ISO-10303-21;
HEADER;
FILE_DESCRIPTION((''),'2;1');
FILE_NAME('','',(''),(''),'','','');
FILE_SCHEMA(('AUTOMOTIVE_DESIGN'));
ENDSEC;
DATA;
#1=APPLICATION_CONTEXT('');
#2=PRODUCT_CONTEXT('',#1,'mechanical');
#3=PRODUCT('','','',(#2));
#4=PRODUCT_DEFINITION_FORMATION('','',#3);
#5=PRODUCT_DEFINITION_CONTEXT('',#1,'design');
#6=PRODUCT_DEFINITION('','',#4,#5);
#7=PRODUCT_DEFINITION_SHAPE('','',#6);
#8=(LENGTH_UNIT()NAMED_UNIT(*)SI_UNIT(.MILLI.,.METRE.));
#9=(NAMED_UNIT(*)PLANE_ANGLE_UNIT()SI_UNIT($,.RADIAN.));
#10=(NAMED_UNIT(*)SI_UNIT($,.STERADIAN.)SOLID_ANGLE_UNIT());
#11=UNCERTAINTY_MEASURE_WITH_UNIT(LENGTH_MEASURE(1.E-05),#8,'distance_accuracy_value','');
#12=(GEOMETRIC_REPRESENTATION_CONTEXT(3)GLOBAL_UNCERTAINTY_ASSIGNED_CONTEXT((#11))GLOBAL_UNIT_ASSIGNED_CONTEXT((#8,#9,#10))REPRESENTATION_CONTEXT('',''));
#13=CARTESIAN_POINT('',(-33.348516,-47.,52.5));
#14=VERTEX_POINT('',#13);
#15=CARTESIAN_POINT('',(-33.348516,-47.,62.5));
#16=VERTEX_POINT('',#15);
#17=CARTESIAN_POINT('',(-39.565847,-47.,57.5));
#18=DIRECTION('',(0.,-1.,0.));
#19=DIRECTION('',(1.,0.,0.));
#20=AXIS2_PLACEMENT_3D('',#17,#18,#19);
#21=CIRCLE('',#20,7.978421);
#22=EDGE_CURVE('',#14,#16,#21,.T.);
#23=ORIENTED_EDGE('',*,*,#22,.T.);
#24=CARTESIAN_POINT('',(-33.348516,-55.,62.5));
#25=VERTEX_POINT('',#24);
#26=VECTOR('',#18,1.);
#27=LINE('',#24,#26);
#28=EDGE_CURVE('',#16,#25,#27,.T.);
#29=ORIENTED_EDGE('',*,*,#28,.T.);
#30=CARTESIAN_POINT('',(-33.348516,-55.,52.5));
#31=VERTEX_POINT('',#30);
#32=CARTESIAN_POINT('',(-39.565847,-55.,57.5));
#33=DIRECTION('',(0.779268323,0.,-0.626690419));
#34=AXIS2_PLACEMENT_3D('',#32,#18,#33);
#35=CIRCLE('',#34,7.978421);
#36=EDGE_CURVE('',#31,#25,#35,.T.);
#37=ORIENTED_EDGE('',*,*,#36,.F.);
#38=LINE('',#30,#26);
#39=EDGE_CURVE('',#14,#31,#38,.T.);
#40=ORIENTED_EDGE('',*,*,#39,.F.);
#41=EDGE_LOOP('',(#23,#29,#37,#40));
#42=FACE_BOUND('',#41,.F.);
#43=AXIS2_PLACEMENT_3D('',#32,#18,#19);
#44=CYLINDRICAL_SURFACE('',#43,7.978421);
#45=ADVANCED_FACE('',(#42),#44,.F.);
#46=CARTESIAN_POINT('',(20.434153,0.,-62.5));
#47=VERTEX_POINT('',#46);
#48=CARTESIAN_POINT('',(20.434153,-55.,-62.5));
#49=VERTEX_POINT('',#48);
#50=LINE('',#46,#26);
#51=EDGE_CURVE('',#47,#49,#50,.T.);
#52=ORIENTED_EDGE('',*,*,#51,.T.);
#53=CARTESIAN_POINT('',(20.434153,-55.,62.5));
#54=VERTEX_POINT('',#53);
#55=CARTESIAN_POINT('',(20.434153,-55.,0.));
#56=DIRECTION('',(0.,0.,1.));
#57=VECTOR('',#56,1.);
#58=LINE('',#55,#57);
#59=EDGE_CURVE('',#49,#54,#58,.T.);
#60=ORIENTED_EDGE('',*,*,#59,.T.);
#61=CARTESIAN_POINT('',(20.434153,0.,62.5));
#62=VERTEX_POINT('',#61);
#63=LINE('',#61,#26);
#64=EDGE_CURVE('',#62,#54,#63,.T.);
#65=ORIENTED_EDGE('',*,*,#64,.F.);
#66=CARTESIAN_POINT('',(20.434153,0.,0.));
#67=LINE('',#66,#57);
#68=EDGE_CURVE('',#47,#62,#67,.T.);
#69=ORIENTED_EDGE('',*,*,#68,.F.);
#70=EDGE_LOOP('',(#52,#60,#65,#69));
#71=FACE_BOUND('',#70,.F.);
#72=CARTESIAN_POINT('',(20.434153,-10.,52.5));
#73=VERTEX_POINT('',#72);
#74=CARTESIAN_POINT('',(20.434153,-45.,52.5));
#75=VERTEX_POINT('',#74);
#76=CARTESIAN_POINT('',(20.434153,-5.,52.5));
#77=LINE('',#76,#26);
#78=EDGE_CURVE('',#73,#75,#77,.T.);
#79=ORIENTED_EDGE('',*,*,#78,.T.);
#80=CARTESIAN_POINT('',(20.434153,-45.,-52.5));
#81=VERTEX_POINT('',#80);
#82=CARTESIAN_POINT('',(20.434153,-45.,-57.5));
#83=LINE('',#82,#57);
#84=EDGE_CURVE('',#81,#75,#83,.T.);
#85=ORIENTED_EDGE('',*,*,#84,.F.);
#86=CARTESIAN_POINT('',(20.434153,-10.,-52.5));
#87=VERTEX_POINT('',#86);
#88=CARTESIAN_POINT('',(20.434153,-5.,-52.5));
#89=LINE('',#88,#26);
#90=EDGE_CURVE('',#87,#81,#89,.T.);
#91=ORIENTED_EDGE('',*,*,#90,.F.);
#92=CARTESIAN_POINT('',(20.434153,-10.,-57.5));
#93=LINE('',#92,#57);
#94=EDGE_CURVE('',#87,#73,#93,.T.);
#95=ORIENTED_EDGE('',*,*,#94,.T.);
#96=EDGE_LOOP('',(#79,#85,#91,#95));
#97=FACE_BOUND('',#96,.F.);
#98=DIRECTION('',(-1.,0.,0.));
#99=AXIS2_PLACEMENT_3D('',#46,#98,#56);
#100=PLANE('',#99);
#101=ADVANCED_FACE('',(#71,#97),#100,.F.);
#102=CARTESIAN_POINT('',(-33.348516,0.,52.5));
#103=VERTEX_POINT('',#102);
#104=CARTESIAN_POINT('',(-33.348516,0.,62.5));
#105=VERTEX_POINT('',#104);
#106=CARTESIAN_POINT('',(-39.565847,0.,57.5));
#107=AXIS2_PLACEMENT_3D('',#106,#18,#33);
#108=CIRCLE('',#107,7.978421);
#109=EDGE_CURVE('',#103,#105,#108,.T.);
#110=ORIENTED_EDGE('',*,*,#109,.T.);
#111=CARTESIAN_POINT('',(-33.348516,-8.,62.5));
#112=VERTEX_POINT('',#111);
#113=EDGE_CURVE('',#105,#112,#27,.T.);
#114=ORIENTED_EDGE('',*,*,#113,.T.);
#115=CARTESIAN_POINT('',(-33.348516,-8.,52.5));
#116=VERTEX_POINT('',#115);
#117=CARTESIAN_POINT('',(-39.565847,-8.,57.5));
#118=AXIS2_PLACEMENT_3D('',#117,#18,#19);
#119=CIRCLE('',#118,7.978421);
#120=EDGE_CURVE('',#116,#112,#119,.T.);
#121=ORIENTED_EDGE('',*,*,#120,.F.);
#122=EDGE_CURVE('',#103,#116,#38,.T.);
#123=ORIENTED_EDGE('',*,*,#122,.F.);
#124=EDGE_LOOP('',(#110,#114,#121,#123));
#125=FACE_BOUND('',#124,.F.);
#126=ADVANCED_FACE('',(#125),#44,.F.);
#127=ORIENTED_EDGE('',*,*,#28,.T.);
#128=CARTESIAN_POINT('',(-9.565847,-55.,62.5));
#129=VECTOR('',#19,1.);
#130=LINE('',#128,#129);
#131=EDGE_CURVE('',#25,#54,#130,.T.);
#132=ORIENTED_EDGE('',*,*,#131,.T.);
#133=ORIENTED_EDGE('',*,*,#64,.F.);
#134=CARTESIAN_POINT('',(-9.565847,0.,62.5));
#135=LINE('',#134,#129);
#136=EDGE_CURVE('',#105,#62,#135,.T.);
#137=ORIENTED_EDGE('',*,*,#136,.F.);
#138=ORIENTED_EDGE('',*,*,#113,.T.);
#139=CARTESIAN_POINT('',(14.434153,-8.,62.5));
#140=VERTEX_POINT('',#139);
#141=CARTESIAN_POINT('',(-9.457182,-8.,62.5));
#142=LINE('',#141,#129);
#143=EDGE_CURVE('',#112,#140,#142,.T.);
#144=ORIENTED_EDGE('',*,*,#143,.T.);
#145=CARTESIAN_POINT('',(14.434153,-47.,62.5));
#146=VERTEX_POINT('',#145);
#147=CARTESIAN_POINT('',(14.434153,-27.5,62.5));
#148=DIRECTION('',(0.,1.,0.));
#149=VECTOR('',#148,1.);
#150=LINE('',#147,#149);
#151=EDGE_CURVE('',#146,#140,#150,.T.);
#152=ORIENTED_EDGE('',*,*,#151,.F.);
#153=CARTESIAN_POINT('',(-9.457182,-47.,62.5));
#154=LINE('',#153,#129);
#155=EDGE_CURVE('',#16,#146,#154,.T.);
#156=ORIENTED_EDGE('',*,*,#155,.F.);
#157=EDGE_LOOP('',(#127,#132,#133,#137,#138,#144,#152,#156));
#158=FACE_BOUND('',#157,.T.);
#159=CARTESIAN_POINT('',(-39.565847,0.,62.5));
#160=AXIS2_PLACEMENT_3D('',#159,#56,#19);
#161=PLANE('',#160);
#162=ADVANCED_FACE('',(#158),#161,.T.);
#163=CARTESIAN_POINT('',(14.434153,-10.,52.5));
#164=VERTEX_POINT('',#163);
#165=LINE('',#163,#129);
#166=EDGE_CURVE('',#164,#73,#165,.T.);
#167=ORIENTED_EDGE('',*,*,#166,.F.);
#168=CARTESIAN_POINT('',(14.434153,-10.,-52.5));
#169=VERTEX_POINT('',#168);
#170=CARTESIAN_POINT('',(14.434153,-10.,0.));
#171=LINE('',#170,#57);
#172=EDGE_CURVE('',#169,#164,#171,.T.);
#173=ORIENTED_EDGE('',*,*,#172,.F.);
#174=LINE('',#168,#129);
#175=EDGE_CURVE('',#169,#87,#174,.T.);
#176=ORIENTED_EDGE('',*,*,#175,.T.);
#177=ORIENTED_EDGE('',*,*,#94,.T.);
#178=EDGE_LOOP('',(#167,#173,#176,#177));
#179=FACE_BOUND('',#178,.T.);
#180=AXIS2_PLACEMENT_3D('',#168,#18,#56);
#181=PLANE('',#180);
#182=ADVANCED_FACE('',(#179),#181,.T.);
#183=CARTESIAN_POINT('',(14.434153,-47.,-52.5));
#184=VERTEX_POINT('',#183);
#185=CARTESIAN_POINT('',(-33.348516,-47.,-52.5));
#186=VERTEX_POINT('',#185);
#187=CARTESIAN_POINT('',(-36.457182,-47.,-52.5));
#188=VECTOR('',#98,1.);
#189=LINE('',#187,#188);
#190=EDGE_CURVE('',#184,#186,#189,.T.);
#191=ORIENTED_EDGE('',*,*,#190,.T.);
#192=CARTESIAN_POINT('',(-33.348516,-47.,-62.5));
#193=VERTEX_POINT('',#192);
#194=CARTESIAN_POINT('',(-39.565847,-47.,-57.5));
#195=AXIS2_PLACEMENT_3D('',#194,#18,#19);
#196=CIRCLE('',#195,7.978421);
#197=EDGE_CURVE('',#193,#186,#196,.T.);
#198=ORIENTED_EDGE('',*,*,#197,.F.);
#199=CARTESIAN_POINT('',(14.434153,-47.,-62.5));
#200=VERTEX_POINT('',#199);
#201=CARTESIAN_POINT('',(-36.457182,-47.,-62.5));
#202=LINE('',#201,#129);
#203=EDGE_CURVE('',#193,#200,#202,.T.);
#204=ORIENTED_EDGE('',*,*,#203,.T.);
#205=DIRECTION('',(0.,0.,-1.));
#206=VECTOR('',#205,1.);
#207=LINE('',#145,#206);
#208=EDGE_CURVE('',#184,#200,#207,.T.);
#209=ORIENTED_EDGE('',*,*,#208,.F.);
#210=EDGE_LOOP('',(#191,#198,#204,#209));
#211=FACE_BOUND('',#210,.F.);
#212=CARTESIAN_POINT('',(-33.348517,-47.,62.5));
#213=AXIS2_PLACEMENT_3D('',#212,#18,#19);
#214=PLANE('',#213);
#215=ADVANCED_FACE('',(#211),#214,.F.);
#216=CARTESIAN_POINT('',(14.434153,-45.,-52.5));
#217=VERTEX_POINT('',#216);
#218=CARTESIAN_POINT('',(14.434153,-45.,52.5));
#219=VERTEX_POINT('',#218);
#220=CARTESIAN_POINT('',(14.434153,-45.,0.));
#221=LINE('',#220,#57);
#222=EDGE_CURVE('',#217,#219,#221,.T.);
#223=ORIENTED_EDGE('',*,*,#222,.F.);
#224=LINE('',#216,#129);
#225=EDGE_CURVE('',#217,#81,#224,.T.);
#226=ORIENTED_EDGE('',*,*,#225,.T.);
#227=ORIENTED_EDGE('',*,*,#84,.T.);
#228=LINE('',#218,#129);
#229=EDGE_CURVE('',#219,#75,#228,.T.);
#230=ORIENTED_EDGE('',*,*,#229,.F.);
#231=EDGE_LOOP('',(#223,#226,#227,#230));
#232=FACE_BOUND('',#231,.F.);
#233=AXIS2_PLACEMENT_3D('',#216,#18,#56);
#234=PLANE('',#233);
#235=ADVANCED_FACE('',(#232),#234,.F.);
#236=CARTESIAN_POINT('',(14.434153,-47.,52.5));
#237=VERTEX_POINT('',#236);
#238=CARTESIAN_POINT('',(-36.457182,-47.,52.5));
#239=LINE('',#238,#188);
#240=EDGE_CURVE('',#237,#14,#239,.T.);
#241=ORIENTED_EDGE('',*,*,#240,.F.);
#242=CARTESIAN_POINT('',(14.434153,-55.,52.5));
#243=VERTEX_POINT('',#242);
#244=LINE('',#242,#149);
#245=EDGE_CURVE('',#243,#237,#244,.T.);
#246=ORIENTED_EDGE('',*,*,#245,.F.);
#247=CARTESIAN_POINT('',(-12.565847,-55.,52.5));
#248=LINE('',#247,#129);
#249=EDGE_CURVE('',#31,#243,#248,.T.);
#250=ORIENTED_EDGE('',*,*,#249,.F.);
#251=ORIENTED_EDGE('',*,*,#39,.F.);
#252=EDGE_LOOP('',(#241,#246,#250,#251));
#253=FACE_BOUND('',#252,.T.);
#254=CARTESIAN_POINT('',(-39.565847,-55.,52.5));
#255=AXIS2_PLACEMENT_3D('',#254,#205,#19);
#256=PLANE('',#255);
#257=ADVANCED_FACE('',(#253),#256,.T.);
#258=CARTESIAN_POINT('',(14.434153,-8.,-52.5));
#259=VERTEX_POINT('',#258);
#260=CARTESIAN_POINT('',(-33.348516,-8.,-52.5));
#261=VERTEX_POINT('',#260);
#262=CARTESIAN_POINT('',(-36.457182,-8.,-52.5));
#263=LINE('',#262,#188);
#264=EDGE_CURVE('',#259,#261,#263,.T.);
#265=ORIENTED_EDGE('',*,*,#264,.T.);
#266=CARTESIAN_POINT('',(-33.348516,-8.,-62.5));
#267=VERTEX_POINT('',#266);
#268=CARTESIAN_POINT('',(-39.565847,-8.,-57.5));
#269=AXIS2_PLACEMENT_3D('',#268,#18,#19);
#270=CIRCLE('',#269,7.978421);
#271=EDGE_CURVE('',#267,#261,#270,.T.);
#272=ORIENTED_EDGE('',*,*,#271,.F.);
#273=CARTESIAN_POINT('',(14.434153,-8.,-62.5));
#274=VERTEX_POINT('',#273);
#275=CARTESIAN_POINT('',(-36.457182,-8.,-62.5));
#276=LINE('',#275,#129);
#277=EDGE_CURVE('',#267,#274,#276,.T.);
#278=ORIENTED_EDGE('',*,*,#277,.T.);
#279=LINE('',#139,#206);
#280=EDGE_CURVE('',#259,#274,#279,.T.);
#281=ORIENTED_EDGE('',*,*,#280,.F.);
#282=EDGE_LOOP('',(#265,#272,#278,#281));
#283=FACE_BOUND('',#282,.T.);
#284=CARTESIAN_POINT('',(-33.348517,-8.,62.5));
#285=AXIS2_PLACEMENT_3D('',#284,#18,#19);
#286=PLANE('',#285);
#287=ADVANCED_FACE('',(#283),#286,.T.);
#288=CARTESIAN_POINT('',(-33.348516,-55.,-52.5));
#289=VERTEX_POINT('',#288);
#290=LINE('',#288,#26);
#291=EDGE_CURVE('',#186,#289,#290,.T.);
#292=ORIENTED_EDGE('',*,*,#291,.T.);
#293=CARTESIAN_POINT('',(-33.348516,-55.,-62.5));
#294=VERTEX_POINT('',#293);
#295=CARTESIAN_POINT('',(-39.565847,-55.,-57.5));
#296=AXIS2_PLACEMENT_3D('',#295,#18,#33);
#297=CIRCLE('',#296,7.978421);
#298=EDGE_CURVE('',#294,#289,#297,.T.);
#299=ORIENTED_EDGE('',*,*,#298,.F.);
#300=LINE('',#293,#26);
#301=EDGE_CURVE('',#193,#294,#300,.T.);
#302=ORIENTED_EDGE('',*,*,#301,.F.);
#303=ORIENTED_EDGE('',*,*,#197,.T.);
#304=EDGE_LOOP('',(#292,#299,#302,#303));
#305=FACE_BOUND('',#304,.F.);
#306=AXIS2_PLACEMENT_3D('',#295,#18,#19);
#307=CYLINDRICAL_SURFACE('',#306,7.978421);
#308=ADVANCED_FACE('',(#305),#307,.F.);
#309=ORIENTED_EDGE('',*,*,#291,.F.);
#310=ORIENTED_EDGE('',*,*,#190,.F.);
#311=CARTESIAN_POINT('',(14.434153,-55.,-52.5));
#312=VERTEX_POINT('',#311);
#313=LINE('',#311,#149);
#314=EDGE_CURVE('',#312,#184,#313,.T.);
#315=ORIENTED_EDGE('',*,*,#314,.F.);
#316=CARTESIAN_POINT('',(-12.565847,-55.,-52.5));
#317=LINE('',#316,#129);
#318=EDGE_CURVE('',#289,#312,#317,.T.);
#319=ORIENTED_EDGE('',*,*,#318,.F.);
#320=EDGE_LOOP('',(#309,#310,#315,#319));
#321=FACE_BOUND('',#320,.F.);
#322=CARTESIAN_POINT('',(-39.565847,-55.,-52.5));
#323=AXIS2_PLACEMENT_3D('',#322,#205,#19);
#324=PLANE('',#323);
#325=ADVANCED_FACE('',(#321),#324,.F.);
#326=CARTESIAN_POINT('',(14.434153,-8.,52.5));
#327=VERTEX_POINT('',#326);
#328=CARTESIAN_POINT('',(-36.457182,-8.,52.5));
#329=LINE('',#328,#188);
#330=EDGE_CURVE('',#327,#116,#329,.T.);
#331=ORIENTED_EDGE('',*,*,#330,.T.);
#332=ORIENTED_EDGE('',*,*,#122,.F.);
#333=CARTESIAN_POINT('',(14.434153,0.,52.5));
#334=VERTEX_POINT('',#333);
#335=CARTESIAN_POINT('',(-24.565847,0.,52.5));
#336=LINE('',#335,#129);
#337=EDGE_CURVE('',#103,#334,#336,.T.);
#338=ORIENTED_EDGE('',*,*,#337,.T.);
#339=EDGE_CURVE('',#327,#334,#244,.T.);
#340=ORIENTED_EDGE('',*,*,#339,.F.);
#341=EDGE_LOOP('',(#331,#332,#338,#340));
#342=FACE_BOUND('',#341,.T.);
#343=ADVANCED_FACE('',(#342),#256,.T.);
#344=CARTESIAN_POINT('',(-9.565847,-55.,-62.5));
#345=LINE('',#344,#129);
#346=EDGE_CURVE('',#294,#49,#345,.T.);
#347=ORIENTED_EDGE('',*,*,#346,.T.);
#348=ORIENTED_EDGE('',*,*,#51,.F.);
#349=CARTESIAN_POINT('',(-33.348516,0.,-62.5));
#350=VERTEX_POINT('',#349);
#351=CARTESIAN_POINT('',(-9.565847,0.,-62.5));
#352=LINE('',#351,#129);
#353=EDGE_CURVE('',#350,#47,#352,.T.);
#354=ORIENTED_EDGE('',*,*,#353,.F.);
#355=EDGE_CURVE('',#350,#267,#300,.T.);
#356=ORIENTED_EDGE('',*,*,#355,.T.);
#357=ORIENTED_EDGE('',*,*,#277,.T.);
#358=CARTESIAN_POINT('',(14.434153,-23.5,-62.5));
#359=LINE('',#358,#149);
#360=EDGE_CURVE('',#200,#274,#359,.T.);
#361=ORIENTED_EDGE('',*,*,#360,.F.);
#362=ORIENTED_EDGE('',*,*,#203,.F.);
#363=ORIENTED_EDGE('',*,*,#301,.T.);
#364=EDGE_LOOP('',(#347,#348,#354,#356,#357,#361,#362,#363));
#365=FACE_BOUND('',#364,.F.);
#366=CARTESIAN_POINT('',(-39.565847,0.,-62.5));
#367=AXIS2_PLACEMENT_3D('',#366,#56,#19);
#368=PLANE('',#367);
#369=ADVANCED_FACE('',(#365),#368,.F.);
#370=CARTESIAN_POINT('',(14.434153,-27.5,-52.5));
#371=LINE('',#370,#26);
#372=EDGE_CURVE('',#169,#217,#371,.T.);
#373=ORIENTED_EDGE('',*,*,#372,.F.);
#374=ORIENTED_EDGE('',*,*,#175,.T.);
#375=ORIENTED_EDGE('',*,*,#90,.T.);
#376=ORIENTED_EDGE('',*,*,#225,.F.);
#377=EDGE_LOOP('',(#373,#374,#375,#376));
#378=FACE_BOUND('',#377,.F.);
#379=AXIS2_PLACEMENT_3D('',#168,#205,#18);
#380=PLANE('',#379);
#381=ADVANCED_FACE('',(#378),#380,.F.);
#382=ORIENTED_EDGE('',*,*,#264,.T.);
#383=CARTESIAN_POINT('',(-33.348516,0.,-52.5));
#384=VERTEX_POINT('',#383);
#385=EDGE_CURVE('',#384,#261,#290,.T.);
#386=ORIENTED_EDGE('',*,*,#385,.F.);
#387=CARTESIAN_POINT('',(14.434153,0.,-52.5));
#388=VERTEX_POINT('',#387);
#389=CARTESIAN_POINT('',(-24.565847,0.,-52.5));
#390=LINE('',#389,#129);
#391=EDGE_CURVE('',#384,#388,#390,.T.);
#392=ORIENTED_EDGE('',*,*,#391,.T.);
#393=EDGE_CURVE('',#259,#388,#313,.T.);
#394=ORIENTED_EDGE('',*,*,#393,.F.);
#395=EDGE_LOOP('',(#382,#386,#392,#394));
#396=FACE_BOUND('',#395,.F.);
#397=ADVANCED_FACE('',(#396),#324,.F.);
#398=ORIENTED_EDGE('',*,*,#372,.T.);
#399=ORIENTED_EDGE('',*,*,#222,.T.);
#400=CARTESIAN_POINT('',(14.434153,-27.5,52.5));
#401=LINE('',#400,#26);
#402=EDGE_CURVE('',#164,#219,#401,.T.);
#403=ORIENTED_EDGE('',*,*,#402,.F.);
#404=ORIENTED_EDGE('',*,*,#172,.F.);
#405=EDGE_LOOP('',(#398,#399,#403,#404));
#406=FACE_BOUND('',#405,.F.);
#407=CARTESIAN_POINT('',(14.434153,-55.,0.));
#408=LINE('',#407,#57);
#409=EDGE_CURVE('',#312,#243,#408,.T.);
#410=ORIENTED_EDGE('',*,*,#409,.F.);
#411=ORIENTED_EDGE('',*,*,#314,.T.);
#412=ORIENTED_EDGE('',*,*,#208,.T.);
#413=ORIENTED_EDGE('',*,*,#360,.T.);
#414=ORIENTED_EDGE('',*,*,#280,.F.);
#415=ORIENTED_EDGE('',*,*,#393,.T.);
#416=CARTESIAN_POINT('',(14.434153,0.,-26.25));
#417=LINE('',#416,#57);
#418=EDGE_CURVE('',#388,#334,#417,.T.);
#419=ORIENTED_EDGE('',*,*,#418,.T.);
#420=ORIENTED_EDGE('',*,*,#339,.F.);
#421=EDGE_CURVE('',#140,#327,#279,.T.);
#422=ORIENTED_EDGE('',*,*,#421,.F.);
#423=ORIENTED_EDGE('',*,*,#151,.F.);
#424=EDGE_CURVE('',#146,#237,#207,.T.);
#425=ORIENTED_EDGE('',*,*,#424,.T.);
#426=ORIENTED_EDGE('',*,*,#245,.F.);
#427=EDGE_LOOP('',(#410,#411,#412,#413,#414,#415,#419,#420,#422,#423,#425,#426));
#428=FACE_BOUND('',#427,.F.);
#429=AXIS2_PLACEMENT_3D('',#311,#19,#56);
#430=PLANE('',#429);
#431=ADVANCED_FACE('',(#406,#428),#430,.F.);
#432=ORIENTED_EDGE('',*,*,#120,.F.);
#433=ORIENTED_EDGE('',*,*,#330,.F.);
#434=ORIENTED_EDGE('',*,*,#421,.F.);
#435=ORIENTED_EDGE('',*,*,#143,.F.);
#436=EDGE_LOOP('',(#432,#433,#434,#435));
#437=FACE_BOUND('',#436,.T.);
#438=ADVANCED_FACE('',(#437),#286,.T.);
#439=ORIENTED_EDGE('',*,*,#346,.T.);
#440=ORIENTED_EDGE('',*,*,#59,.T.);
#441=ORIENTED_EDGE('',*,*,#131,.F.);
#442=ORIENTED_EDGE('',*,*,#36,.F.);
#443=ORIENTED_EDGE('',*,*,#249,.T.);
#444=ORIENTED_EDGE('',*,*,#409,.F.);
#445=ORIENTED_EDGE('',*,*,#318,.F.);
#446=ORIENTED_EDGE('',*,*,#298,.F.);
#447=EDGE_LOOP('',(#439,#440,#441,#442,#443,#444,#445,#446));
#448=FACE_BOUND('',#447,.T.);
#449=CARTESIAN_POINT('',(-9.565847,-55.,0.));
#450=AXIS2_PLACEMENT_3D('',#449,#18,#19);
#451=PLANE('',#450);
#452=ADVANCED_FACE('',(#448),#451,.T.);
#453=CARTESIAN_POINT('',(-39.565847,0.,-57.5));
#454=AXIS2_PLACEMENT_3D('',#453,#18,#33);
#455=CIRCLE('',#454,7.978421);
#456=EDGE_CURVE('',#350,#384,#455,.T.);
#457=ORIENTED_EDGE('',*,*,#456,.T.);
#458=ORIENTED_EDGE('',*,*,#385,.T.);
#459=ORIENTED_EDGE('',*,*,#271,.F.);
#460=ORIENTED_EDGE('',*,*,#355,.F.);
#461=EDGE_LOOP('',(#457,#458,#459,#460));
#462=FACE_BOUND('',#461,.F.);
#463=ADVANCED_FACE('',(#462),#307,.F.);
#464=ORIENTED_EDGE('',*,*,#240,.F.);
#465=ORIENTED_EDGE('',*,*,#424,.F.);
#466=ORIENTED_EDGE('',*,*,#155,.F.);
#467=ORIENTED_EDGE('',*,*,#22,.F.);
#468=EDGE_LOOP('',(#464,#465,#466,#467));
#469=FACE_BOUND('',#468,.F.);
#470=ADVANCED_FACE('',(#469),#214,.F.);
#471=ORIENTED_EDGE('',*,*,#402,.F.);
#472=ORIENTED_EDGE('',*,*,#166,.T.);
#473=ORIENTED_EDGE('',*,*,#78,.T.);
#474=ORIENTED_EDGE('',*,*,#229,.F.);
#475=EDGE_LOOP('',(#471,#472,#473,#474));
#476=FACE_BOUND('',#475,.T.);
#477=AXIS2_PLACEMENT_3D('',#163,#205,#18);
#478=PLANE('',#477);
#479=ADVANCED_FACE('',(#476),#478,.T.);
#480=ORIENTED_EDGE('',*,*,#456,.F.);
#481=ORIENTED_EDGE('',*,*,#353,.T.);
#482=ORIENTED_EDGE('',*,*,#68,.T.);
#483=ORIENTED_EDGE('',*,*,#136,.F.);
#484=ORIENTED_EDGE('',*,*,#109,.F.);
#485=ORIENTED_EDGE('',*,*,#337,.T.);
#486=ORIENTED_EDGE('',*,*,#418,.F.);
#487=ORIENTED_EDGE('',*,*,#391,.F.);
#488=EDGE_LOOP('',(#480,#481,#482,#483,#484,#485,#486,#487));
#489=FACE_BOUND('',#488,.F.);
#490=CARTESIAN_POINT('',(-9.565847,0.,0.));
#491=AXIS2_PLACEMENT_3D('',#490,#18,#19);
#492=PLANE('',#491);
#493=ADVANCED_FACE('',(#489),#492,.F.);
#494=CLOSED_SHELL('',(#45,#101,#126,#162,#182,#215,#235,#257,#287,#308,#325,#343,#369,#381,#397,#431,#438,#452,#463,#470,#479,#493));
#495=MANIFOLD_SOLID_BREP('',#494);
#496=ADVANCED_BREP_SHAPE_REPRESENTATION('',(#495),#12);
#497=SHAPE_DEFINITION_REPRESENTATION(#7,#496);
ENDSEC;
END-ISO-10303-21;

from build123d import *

# Parameters (mm, degrees)
F0_W     = 60
F0_H     = 125
F1_DEPTH = 55
F2_W     = 54
F2_H     = 105
F3_DEPTH = 55.001
F4_R     = 7.978421
F5_DEPTH = 55.001
F6_W     = 47.78267
F6_H     = 39
F7_DEPTH = 125.001
F8_W     = 35
F8_H     = 105
F9_DEPTH = 6.001


with BuildPart() as f1:
    # F0 (on Front) → F1 (new body)
    with BuildSketch(Plane.XZ):
        with Locations((-9.565847, 0)):
            Rectangle(F0_W, F0_H)
    extrude(amount=F1_DEPTH)

    # F2 (on face) → F3 (cut, through all)
    with BuildSketch(Plane.XZ.offset(55)):
        with Locations((-12.565847, 0)):
            Rectangle(F2_W, F2_H)
    extrude(amount=-F3_DEPTH, mode=Mode.SUBTRACT)

    # F4 (on face) → F5 (cut, through all)
    with BuildSketch(Plane.XZ.offset(55)):
        with Locations((-39.565847, 57.5)):
            Circle(F4_R)
        with Locations((-39.565847, -57.5)):
            Circle(F4_R)
    extrude(amount=-F5_DEPTH, mode=Mode.SUBTRACT)

    # F6 (on face) → F7 (cut, through all)
    with BuildSketch(Plane.XY.offset(62.5)):
        with Locations((-9.457182, -27.5)):
            Rectangle(F6_W, F6_H)
    extrude(amount=-F7_DEPTH, mode=Mode.SUBTRACT)

    # F8 (on face) → F9 (cut, through all)
    with BuildSketch(Plane(origin=(14.434153, 0, 0), x_dir=(0, -1, 0), z_dir=(-1, 0, 0))):
        with Locations((27.5, 0)):
            Rectangle(F8_W, F8_H)
    extrude(amount=-F9_DEPTH, mode=Mode.SUBTRACT)


solid = f1.part
